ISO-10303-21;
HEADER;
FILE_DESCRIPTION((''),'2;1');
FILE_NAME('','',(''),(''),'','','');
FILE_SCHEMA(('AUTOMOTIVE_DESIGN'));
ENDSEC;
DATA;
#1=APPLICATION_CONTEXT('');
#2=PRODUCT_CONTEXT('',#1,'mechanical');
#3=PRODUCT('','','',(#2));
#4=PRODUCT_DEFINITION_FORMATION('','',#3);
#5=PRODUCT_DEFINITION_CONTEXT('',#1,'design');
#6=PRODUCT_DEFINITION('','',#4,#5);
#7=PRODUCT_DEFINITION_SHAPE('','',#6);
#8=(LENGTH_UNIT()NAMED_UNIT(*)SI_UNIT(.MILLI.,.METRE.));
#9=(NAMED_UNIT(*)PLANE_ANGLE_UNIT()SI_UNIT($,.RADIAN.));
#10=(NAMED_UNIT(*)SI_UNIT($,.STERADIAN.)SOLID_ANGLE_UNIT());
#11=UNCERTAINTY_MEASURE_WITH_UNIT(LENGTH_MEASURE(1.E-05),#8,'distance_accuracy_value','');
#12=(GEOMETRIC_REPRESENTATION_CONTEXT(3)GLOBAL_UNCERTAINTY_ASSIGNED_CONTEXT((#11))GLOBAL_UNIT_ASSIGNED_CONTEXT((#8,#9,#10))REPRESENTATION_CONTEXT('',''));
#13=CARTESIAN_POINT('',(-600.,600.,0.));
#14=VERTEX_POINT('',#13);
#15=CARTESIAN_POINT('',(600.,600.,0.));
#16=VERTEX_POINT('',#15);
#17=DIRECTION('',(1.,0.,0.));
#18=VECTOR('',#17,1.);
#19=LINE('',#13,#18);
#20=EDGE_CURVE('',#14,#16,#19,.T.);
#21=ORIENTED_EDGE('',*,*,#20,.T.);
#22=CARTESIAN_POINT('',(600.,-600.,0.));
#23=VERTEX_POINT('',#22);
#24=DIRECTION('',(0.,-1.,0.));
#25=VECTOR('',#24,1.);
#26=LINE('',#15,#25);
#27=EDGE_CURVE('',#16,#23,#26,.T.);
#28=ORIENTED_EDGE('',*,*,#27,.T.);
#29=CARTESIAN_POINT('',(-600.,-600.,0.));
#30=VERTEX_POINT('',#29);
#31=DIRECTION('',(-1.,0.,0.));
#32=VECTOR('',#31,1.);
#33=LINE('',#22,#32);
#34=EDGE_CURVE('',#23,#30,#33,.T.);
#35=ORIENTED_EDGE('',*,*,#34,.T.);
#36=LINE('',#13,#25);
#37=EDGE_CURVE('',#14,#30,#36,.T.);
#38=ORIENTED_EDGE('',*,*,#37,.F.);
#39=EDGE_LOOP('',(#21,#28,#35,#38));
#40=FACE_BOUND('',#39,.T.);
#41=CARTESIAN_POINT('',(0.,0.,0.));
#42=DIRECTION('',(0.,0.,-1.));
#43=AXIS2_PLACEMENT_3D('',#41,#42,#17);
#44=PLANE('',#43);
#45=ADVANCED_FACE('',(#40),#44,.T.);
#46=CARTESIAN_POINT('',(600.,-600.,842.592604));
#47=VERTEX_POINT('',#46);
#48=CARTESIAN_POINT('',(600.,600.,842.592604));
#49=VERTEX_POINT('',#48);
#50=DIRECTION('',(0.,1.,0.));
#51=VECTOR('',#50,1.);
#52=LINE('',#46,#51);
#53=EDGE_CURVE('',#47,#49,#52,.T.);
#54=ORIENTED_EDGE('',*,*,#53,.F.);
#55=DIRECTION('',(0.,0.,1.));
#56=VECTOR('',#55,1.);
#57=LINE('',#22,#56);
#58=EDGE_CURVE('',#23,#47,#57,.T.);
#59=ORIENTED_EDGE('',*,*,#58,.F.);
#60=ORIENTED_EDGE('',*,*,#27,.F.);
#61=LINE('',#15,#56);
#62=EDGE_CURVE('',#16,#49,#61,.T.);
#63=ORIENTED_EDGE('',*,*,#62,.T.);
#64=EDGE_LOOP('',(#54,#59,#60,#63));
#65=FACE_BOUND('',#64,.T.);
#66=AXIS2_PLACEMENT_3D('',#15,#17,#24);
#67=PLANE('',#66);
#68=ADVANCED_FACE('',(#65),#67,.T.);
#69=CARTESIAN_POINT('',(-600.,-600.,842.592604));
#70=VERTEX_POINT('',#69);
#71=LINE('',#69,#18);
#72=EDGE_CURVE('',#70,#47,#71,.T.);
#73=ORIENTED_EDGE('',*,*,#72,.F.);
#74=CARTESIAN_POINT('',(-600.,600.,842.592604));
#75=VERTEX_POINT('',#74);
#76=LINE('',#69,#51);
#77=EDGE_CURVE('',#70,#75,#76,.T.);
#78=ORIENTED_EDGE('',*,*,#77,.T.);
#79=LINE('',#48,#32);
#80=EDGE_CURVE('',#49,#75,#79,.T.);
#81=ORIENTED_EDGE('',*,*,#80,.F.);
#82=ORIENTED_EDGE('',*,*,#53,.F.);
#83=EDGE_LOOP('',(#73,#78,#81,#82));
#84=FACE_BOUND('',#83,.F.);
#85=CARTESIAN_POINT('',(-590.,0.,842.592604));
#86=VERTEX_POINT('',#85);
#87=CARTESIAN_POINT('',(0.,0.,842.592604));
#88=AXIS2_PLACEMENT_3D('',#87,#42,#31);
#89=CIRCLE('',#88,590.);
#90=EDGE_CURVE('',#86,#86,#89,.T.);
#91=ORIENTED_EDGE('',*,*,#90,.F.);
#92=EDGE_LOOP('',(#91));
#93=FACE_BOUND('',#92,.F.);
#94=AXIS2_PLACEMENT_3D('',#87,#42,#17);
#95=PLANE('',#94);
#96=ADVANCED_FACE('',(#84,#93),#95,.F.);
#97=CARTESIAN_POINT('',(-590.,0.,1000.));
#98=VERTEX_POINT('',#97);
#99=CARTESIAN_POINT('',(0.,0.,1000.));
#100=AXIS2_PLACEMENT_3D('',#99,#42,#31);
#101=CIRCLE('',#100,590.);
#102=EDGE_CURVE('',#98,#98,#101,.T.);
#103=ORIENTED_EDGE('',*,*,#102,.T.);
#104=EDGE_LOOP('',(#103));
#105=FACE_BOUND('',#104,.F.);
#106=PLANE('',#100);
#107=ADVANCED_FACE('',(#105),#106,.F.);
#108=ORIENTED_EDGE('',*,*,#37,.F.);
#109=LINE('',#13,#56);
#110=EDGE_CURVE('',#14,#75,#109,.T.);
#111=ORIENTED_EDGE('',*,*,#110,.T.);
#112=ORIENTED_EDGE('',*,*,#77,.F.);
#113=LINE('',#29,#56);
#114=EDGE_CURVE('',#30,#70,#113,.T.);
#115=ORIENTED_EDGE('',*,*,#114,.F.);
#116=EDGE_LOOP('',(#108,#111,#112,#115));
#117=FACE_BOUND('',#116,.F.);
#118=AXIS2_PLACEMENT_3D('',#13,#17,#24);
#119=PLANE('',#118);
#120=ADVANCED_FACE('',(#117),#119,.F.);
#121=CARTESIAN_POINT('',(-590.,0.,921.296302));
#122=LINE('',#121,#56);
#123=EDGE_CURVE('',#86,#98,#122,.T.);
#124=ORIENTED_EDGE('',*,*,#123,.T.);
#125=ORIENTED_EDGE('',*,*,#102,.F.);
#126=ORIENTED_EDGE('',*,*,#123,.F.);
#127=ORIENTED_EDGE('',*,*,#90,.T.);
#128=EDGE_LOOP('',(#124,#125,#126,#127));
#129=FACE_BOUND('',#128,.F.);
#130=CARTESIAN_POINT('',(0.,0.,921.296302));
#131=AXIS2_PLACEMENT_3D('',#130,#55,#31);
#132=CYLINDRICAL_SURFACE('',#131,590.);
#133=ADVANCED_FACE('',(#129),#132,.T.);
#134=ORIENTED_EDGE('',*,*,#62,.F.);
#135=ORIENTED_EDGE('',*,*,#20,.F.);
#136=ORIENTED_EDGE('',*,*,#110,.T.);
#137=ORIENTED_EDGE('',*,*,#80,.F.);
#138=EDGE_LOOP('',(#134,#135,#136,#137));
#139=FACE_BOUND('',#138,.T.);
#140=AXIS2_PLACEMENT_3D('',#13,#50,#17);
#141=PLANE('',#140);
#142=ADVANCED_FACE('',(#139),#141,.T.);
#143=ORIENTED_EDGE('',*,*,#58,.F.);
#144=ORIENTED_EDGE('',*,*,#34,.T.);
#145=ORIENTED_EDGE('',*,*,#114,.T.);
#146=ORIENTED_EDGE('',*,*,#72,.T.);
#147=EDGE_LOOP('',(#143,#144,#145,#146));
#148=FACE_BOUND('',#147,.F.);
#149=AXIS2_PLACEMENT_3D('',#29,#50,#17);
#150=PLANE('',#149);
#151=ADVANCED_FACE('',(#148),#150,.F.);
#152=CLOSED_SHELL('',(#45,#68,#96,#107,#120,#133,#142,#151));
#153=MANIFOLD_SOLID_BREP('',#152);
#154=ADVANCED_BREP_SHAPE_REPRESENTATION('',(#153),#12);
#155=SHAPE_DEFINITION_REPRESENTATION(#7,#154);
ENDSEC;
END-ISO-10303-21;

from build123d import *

# Parameters (mm, degrees)
F0_W     = 590
F0_H     = 157.407396
F2_W     = 1200
F2_H     = 1200
F3_DEPTH = 842.592604


with BuildPart() as f1:
    # F0 (on Front) → F1 (revolve)
    with BuildSketch(Plane.XZ):
        Polygon((-600, 842.592604), (-600, 0), (0, 0), (0, 842.592604), (-590, 842.592604), align=None)
        with Locations((-295, 921.296302)):
            Rectangle(F0_W, F0_H)
    revolve(axis=Axis((0, 0, 487.345502), (0, 0, -1)))

    # F2 (on face) → F3 (join, through all)
    with BuildSketch(Plane(origin=(0, 0, 0), x_dir=(1, 0, 0), z_dir=(0, 0, -1))):
        Rectangle(F2_W, F2_H)
    extrude(amount=-F3_DEPTH)


solid = f1.part
